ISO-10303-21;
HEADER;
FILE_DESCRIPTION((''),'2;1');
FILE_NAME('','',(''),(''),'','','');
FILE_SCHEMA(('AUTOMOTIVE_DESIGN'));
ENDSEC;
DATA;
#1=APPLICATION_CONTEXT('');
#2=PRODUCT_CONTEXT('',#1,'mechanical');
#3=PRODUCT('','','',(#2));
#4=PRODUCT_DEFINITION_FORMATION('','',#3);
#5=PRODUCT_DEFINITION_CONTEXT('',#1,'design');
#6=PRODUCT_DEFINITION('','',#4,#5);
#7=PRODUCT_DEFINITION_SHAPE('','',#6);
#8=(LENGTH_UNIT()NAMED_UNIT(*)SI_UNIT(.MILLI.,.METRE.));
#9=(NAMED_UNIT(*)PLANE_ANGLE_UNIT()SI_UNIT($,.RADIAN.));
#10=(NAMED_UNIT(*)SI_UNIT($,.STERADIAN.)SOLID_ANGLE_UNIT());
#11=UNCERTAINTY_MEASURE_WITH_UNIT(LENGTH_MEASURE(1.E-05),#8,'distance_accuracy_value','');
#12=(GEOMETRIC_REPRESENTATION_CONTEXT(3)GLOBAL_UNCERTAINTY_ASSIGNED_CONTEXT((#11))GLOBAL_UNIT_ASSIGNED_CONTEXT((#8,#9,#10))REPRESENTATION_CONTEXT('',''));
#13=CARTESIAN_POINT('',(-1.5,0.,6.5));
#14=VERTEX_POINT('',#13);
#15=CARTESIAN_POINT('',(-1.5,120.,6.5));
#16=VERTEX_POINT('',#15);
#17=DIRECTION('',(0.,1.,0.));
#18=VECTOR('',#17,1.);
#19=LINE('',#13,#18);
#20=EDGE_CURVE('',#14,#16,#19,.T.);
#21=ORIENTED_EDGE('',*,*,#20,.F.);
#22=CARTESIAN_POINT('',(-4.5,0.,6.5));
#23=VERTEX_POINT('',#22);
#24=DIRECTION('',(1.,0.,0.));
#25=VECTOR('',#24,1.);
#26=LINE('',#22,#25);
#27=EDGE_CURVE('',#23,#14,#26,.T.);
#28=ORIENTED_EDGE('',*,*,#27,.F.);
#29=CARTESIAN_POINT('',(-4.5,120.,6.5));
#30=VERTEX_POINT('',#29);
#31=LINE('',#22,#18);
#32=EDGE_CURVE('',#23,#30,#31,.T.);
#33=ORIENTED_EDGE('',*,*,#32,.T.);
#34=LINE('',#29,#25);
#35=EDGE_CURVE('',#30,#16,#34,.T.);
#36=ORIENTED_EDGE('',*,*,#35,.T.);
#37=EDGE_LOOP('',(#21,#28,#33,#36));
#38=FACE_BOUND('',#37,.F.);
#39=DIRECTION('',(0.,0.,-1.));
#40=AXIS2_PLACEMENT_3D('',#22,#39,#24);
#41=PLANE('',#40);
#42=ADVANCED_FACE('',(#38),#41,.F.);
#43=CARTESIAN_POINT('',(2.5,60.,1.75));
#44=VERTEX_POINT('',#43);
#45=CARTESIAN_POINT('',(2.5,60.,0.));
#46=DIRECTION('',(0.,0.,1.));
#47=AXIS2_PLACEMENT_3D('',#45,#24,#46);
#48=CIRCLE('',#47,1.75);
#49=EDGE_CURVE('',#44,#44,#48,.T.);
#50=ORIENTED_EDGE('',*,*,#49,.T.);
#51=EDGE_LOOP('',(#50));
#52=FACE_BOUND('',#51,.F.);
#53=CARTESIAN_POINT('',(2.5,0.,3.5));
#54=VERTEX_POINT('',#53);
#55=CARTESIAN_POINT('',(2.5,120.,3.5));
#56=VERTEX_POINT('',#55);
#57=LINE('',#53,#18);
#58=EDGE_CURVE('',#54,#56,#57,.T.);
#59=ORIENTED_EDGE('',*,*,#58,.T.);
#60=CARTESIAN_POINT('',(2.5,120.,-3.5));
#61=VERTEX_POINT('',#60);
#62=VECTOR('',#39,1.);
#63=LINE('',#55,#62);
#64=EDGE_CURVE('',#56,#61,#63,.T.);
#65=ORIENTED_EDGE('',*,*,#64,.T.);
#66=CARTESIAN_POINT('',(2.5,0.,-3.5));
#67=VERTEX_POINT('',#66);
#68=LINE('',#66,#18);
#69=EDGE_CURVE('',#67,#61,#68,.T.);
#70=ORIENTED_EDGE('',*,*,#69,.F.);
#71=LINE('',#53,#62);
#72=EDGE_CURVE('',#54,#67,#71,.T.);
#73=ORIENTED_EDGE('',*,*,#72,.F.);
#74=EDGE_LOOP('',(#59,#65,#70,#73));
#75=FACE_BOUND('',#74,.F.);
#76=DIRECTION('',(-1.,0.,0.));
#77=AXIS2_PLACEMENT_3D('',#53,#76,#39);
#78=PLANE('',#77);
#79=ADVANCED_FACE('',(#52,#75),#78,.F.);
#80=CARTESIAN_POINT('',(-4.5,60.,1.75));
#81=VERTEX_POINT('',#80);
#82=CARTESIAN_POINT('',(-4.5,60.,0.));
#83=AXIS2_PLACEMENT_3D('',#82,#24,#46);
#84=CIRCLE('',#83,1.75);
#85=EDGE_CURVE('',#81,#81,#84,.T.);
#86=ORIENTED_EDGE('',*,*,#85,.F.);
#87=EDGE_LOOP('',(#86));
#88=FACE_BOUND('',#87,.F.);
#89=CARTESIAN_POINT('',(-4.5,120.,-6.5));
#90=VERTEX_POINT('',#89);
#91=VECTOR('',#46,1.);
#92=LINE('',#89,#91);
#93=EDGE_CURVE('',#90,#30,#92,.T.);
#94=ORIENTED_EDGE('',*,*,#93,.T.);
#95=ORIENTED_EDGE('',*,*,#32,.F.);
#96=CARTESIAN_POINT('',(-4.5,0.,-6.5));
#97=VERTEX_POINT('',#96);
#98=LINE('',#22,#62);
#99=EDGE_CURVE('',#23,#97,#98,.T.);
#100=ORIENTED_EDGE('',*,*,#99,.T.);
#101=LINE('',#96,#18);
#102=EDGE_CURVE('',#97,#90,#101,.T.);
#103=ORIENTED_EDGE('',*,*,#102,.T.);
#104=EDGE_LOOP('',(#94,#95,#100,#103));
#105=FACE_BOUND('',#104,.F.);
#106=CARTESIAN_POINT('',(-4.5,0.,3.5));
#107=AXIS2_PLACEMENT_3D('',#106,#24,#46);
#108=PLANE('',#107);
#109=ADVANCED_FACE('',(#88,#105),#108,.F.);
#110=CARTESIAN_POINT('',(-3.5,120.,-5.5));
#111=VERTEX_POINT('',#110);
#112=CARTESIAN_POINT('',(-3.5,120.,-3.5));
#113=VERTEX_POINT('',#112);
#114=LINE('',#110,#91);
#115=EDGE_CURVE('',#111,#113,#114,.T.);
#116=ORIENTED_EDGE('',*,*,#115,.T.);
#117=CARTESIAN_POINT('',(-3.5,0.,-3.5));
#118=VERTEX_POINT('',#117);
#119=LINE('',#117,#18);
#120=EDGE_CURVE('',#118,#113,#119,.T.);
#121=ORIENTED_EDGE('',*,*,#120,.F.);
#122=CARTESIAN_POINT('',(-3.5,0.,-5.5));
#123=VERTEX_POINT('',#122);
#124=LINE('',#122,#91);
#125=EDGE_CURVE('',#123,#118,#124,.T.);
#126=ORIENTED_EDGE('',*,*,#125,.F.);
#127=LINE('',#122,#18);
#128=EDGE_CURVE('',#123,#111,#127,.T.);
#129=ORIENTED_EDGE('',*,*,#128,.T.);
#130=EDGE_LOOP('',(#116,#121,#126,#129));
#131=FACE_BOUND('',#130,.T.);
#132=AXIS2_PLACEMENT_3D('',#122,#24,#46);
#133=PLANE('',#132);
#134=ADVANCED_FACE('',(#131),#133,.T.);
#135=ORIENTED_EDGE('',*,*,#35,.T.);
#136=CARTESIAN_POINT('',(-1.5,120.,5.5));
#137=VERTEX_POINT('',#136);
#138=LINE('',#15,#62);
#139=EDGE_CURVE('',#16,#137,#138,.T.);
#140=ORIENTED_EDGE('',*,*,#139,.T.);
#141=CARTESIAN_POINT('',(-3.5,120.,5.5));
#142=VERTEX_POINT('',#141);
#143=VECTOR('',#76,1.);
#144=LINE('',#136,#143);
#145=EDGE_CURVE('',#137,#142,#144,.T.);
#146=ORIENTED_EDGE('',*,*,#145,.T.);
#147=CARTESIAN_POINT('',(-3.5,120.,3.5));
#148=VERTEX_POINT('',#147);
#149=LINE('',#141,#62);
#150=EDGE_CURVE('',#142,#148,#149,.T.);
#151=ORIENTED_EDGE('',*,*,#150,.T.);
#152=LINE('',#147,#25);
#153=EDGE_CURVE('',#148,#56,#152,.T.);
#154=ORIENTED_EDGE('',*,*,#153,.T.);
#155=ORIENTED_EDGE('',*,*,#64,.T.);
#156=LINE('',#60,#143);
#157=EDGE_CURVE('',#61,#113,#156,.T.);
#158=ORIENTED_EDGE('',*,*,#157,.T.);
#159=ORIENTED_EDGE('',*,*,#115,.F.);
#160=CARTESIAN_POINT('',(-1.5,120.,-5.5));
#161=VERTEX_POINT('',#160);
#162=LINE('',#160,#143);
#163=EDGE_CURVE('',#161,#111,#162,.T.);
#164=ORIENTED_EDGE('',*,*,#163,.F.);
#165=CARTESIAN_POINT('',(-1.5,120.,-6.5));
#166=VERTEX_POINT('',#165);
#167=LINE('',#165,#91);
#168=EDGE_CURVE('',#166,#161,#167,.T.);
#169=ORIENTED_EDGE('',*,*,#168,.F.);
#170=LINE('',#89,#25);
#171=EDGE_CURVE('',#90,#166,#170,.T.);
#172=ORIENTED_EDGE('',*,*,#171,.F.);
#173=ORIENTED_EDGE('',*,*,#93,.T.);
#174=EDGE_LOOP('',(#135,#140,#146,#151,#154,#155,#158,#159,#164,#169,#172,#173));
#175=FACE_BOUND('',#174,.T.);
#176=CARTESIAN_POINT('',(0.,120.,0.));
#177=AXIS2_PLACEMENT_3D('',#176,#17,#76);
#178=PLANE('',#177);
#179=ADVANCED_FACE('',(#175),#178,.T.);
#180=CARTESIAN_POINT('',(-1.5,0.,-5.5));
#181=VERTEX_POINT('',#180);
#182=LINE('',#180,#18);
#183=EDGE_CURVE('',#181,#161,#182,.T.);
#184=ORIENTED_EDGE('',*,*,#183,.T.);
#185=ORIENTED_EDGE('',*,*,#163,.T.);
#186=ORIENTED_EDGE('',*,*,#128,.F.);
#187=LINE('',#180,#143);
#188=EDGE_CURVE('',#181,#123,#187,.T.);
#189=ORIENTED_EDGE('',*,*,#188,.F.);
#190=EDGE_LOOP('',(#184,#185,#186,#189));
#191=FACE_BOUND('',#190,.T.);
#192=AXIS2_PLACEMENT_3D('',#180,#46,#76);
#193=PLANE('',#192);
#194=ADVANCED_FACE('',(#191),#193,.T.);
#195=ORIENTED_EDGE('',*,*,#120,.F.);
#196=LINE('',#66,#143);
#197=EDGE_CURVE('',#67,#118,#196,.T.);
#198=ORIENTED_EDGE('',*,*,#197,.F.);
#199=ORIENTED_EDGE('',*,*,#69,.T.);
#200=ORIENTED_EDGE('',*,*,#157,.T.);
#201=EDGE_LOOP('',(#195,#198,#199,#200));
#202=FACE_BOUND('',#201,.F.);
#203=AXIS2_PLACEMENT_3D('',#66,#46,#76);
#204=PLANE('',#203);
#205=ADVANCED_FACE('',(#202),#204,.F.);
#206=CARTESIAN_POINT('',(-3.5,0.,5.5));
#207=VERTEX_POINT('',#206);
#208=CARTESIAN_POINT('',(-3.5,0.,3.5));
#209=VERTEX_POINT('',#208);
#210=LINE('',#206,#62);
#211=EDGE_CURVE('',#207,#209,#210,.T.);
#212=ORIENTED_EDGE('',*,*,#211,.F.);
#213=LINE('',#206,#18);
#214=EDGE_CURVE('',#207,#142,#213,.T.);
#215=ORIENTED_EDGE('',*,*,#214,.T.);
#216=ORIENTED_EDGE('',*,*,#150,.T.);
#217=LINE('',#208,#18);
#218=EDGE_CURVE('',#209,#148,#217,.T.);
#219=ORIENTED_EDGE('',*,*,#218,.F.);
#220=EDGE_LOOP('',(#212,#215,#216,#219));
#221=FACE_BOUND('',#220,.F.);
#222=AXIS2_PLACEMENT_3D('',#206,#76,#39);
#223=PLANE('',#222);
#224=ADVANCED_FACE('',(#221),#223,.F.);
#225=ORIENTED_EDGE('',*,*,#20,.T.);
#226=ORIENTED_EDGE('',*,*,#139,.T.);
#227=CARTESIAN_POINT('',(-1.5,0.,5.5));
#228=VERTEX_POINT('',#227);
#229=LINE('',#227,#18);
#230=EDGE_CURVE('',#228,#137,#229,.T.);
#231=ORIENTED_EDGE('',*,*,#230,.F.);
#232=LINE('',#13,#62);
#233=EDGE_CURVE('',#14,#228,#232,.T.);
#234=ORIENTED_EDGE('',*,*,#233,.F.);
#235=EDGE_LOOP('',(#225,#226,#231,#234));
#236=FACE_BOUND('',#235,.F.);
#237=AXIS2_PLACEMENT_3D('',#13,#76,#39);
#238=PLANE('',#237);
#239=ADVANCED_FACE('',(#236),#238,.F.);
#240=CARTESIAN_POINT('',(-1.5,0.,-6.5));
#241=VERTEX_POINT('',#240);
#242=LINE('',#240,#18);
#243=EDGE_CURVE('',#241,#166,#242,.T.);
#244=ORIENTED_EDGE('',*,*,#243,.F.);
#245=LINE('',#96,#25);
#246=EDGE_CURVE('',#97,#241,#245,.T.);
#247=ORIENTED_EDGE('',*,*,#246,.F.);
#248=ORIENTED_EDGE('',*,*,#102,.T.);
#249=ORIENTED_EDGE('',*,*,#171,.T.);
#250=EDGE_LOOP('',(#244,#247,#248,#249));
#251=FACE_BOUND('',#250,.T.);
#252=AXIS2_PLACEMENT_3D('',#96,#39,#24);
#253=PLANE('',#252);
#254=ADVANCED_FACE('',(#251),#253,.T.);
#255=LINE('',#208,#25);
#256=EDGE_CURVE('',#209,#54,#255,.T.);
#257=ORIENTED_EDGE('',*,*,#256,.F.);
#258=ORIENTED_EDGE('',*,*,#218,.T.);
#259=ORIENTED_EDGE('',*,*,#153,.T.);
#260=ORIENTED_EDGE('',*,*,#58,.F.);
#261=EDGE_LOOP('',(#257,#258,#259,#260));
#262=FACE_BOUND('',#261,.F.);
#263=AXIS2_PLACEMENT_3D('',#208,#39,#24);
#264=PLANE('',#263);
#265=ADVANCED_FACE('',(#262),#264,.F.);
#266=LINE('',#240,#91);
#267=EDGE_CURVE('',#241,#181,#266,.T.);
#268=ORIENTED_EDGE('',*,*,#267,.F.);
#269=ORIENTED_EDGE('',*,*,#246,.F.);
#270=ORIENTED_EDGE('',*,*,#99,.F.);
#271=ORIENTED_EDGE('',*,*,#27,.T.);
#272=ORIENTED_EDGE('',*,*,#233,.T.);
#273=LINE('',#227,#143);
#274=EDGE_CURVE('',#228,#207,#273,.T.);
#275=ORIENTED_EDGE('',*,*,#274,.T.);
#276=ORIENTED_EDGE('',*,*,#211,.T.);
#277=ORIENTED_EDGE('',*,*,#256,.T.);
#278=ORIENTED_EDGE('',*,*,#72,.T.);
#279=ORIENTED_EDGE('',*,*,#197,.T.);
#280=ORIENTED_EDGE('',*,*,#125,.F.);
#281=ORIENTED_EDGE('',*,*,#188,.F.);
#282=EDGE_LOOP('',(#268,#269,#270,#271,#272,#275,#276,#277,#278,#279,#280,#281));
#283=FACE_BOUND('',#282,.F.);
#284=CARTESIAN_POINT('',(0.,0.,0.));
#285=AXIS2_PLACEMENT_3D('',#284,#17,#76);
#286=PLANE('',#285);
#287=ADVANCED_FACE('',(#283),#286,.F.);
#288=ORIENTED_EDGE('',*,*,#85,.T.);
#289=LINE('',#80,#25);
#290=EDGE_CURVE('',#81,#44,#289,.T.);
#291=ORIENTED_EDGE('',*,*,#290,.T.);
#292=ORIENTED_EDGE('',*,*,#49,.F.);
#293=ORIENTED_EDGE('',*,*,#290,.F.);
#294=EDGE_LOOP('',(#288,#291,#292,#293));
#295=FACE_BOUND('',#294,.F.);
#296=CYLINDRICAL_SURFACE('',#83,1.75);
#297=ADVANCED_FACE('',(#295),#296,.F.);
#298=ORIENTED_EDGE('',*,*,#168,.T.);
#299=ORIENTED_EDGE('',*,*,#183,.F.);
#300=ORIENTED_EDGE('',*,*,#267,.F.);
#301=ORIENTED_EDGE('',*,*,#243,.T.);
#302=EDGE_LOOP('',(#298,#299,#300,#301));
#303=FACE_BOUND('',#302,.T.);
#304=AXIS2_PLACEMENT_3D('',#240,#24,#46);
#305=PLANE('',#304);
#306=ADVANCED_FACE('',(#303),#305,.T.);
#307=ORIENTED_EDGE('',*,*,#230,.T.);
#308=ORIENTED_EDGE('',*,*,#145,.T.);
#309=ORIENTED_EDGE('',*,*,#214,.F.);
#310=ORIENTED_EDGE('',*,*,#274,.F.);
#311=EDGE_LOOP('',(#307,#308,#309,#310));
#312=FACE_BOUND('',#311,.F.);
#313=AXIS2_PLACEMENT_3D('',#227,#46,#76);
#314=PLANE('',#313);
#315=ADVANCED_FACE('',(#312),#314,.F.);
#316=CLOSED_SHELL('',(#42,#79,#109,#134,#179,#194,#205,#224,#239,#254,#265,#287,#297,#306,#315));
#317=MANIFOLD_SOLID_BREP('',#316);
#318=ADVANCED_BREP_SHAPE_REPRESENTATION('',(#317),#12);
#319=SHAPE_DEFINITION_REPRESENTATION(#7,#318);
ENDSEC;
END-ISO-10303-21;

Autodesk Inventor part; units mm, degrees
ref_plane "YZ Plane" through (0, 0, 0) normal (1, 0, 0) x (0, 1, 0)
ref_plane "XZ Plane" through (0, 0, 0) normal (0, 1, 0) x (-1, 0, 0)
ref_plane "XY Plane" through (0, 0, 0) normal (0, 0, 1) x (1, 0, 0)
sketch "Sketch1" plane through (0, 0, 0) normal (0, 1, 0) x (-1, 0, 0)
  line L0 (3.5, 3.5) -> (-2.5, 3.5)
  line L1 (-2.5, 3.5) -> (-2.5, -3.5)
  line L2 (-2.5, -3.5) -> (3.5, -3.5)
  line L3 (4.5, -3.5) -> (4.5, 3.5)
  line L4 (4.5, 3.5) -> (4.5, 6.5)
  line L5 (4.5, 6.5) -> (1.5, 6.5)
  line L6 (1.5, 6.5) -> (1.5, 5.5)
  line L7 (1.5, 5.5) -> (3.5, 5.5)
  line L8 (3.5, 5.5) -> (3.5, 3.5)
  line L9 (4.5, -3.5) -> (4.5, -6.5)
  line L10 (4.5, -6.5) -> (1.5, -6.5)
  line L11 (1.5, -6.5) -> (1.5, -5.5)
  line L12 (1.5, -5.5) -> (3.5, -5.5)
  line L13 (3.5, -5.5) -> (3.5, -3.5)
  point P0 (0, 0)
  dimension "d2" = 3.5
  dimension "d3" = 4.5
  dimension "d4" = 1
  dimension "d5" = 1
  dimension "d6" = 2
  dimension "d7" = 2
  dimension "d8" = 7
  dimension "d9" = 7
  dimension "d10" = 1
  dimension "d11" = 1
  dimension "d12" = 3
  dimension "d13" = 3
extrude "Extrusion1" add sketch "Sketch1" along normal blind 120
sketch "Sketch2" plane through (-4.5, 0, -6.5) normal (-1, 0, 0) x (0, 0, 1)
  line L0 (0, 0) -> (13, 0) projected
  line L1 (0, 0) -> (0, 120) projected
  point P0 (6.5, 0)
  point P1 (6.5, 60)
  dimension "d16" = 60
  dimension "d17" = 6.5
hole "Hole1" at (-4.5, 60, 0) direction (1, 0, 0) diameter 3.5 end through all
properties part number "Stringer cap"
